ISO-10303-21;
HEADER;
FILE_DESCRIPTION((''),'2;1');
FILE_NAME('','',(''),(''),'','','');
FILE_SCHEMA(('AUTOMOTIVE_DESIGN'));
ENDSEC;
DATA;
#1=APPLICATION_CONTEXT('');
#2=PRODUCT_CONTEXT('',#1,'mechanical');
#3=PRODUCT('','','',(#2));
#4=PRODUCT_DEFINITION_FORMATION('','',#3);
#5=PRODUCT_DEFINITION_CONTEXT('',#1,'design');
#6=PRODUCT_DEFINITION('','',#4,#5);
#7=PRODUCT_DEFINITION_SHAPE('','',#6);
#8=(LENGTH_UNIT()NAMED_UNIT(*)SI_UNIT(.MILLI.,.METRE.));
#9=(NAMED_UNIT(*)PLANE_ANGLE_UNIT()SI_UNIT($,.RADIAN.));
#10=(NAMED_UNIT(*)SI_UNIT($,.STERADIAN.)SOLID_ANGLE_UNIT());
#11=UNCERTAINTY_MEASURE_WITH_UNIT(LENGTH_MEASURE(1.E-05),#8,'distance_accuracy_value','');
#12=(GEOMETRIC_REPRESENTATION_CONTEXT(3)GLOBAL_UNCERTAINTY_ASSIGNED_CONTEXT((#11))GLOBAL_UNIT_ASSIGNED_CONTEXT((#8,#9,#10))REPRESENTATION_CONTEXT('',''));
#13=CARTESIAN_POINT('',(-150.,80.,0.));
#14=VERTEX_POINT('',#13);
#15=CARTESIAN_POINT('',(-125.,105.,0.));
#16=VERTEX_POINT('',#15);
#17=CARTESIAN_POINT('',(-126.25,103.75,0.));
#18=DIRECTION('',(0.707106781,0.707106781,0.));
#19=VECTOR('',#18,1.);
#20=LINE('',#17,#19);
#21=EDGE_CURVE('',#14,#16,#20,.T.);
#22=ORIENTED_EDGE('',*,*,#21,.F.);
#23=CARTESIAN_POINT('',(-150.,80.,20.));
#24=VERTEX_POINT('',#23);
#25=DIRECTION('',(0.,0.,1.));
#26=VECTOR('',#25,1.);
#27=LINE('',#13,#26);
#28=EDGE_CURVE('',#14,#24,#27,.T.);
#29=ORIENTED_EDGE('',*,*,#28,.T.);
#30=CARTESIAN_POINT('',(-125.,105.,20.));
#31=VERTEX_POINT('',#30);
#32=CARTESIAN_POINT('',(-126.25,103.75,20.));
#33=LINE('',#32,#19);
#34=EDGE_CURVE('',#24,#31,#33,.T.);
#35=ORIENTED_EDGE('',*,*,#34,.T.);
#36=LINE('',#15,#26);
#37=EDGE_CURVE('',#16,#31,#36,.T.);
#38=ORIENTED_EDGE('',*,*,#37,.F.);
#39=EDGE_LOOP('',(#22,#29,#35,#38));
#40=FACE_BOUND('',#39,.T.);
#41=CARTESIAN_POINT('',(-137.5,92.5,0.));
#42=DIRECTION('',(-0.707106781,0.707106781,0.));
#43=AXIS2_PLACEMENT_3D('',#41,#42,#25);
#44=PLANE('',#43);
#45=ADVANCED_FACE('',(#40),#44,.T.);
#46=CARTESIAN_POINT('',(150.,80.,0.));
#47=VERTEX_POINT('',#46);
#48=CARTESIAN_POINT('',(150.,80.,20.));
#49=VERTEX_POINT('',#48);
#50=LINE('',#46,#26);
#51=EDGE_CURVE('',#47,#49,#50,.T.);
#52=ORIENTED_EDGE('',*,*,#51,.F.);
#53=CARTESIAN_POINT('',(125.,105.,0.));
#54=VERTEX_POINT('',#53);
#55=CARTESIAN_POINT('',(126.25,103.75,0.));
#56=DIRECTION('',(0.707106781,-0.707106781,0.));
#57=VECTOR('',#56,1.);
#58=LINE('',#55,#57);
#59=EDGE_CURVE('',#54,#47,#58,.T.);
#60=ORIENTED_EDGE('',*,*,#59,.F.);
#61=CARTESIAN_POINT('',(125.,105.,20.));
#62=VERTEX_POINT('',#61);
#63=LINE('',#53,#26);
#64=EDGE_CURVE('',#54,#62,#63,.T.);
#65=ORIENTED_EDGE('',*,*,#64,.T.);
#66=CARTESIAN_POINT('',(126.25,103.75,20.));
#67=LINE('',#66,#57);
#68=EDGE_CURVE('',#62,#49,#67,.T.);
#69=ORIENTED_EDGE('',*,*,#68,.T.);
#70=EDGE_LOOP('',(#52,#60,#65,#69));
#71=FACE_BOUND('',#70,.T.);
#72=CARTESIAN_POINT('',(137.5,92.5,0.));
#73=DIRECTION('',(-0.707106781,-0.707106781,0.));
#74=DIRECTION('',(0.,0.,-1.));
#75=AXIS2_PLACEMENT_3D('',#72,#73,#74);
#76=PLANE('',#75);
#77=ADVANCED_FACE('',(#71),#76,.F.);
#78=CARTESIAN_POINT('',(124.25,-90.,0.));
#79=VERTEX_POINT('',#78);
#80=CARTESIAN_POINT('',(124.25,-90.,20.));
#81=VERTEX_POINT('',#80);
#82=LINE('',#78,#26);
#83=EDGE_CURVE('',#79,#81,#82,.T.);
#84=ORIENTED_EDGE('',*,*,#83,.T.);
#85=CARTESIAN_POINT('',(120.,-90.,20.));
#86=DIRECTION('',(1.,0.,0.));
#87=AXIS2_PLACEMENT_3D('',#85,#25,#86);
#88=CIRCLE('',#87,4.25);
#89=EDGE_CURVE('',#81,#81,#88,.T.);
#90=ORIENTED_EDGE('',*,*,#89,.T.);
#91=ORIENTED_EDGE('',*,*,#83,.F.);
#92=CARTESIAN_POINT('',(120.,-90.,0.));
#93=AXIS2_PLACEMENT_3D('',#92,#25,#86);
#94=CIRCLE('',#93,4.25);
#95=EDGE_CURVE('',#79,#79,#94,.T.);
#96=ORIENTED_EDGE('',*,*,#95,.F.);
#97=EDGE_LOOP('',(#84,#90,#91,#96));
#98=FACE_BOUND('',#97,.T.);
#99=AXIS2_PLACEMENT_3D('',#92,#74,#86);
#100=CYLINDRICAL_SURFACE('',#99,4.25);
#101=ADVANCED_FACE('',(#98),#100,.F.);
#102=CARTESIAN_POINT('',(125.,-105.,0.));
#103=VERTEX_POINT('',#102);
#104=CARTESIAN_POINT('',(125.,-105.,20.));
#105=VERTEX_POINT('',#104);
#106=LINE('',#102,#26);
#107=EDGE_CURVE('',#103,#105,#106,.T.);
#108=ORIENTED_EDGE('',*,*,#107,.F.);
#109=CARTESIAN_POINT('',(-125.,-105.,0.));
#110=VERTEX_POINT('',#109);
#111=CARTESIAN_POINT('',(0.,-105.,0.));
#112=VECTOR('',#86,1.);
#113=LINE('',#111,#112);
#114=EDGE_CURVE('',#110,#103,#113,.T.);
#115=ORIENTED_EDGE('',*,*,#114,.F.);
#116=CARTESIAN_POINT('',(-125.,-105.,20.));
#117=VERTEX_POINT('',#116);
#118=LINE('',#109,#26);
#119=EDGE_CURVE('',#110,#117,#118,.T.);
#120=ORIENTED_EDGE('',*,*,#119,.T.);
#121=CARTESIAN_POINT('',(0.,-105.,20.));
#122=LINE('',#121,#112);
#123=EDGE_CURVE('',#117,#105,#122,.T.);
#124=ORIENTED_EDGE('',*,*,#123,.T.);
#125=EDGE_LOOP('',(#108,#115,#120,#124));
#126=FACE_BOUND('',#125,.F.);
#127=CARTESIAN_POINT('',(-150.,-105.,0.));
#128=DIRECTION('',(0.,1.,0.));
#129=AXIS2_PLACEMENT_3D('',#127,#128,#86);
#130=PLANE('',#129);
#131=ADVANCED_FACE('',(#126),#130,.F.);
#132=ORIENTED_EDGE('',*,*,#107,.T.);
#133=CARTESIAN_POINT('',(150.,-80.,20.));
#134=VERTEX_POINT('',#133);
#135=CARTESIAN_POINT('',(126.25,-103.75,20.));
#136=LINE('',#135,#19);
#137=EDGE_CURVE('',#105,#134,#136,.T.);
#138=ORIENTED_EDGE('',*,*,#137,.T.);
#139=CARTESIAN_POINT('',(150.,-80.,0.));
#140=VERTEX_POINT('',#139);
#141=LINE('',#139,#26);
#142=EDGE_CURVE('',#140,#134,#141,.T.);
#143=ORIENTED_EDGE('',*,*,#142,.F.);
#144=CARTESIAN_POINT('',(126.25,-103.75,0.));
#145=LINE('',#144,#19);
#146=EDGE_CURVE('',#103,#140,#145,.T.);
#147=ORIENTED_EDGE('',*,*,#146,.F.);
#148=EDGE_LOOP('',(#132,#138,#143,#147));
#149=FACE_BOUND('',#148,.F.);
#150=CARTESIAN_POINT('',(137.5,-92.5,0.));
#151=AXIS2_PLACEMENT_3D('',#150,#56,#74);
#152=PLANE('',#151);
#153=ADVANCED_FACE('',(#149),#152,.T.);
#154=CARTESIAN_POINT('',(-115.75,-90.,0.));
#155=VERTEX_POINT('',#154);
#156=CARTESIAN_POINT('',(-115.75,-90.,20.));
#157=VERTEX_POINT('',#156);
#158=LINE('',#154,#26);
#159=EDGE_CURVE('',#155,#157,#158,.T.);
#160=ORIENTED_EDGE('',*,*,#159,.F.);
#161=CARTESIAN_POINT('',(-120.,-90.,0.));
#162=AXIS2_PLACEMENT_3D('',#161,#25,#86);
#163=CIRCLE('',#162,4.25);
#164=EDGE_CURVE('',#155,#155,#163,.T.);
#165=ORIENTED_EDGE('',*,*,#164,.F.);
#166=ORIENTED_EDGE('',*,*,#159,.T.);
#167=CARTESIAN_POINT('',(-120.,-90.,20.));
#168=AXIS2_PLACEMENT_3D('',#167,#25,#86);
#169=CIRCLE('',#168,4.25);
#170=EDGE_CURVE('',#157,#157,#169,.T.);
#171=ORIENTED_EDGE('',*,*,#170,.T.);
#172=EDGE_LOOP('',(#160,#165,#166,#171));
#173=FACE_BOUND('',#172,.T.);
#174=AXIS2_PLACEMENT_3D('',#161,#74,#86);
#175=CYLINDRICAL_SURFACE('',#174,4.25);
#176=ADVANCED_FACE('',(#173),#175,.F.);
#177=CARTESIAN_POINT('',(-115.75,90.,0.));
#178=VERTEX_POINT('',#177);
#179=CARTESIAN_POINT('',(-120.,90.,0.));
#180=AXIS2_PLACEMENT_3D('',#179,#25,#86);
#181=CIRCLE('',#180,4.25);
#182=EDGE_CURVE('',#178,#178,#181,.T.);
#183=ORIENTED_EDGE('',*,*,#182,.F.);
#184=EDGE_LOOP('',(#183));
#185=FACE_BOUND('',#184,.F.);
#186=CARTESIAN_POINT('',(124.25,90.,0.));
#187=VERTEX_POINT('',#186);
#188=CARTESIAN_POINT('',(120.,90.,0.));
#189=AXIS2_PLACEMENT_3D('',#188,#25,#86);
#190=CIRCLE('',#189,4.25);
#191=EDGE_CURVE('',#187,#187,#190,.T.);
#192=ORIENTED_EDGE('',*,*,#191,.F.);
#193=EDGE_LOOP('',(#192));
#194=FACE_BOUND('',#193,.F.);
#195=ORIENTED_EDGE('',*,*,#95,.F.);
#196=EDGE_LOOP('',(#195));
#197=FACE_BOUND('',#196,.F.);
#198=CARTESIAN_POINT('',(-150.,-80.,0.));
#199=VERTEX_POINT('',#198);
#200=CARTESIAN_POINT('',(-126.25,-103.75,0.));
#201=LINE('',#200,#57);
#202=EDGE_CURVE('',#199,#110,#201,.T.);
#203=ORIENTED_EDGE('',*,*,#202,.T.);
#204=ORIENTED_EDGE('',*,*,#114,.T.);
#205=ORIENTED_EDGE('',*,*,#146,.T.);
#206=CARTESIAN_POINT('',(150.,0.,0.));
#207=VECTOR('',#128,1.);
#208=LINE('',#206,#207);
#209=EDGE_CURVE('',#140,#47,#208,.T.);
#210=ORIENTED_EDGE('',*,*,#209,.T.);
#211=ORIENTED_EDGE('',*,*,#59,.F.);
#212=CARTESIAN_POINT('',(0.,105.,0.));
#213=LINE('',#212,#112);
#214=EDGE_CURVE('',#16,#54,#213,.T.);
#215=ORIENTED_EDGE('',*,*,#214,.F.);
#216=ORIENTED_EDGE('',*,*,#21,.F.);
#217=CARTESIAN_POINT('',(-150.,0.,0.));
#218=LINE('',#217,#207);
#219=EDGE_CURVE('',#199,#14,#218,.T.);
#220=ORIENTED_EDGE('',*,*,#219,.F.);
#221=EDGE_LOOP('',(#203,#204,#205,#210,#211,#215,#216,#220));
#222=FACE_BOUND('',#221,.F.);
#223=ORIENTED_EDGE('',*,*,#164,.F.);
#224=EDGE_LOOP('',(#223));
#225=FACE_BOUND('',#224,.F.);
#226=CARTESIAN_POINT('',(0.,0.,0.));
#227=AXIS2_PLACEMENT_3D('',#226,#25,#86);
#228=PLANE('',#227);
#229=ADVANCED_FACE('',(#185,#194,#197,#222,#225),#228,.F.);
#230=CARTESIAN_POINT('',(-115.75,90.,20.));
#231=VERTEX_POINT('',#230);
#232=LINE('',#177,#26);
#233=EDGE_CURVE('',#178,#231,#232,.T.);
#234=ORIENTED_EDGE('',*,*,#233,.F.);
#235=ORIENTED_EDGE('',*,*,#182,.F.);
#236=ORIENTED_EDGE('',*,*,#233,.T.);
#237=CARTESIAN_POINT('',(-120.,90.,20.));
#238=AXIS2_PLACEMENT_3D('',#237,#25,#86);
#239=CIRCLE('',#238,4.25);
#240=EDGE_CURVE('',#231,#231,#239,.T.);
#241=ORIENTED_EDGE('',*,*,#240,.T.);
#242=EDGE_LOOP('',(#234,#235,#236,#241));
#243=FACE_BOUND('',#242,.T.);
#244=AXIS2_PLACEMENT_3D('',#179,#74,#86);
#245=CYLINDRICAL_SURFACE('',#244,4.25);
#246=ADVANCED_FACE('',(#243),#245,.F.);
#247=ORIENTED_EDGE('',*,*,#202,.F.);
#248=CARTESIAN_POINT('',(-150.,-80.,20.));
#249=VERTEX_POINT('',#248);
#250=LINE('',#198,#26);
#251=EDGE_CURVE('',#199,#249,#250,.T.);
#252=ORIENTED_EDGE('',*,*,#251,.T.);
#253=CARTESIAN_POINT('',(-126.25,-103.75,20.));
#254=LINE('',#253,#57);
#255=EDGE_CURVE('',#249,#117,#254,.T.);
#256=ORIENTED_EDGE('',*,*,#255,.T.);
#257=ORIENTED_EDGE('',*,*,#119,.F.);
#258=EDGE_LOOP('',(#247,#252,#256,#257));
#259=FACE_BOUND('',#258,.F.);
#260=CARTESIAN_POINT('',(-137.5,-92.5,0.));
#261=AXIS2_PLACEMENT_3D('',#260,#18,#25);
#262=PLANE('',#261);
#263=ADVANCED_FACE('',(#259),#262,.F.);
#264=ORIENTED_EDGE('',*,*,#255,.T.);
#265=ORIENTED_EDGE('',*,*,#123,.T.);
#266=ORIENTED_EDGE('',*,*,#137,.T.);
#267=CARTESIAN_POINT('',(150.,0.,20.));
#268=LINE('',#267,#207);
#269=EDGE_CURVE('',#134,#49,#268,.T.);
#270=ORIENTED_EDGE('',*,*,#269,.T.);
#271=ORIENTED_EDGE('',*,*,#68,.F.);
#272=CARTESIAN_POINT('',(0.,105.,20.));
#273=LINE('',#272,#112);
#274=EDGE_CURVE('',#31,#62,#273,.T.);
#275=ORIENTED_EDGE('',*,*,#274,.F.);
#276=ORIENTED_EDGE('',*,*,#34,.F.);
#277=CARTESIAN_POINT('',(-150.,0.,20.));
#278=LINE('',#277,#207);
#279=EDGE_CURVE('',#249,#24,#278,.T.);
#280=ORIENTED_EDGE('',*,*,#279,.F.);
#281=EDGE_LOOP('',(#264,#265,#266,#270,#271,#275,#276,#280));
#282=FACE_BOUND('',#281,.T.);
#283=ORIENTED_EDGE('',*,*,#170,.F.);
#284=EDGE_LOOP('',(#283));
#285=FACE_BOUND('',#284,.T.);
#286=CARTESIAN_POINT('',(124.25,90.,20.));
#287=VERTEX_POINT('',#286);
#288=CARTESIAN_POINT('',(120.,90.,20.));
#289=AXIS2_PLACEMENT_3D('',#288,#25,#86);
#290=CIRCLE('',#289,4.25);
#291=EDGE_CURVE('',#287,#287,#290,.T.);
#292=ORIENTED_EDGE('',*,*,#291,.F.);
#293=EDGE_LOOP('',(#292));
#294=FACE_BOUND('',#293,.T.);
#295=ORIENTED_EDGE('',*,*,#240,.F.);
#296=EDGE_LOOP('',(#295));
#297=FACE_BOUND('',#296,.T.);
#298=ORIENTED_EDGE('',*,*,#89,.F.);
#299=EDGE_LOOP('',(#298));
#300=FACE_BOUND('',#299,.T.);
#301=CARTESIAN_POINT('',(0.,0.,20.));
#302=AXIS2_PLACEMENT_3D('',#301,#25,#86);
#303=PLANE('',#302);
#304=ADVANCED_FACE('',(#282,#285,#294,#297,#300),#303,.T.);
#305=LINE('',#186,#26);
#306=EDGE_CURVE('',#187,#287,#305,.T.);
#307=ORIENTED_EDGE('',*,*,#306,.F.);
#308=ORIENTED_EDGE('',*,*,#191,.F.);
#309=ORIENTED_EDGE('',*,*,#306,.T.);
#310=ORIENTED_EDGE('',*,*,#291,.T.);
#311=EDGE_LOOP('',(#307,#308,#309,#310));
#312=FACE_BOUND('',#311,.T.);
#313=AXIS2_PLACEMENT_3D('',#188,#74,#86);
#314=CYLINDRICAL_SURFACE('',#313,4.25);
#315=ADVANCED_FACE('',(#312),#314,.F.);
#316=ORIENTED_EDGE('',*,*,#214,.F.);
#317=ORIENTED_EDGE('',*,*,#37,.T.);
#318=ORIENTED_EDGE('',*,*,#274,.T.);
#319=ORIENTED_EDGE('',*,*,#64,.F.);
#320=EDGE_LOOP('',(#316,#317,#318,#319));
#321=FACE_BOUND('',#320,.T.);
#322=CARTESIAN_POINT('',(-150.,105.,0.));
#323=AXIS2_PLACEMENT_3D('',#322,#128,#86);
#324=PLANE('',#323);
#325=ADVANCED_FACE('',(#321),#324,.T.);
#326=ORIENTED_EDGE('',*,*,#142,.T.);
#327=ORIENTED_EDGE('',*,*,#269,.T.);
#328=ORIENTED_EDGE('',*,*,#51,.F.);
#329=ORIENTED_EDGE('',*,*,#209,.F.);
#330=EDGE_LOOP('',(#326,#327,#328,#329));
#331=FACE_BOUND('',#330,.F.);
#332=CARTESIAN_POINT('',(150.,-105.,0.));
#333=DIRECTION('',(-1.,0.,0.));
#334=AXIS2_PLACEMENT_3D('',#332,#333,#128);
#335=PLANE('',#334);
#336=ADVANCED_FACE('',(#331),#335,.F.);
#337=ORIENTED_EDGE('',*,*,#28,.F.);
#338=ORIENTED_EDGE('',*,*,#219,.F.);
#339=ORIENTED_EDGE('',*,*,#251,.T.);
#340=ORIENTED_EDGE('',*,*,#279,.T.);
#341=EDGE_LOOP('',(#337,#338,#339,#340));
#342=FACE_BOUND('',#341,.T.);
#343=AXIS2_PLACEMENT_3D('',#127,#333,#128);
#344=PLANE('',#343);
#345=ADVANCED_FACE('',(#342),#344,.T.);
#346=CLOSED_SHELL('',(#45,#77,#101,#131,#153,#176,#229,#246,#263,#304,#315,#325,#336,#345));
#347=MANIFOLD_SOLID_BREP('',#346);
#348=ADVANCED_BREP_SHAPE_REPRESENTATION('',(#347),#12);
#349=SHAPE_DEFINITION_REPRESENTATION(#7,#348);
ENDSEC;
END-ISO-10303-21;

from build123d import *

# Parameters (mm, degrees)
F0_W     = 300
F0_H     = 210
F0_R     = 4.25
F1_DEPTH = 20
F2_SIZE  = 25


with BuildPart() as f1:
    # F0 (on Top) → F1 (new body)
    with BuildSketch(Plane.XY):
        Rectangle(F0_W, F0_H)
        with Locations((-120, -90)):
            Circle(F0_R, mode=Mode.SUBTRACT)
        with Locations((120, -90)):
            Circle(F0_R, mode=Mode.SUBTRACT)
        with Locations((-120, 90)):
            Circle(F0_R, mode=Mode.SUBTRACT)
        with Locations((120, 90)):
            Circle(F0_R, mode=Mode.SUBTRACT)
    extrude(amount=F1_DEPTH)

    # F2
    f2_edges = [f1.edges().sort_by_distance(p)[0] for p in [
        (-150, -105, 10),
        (-150, 105, 10),
        (150, -105, 10),
        (150, 105, 10),
    ]]
    chamfer(f2_edges, length=F2_SIZE)


solid = f1.part
